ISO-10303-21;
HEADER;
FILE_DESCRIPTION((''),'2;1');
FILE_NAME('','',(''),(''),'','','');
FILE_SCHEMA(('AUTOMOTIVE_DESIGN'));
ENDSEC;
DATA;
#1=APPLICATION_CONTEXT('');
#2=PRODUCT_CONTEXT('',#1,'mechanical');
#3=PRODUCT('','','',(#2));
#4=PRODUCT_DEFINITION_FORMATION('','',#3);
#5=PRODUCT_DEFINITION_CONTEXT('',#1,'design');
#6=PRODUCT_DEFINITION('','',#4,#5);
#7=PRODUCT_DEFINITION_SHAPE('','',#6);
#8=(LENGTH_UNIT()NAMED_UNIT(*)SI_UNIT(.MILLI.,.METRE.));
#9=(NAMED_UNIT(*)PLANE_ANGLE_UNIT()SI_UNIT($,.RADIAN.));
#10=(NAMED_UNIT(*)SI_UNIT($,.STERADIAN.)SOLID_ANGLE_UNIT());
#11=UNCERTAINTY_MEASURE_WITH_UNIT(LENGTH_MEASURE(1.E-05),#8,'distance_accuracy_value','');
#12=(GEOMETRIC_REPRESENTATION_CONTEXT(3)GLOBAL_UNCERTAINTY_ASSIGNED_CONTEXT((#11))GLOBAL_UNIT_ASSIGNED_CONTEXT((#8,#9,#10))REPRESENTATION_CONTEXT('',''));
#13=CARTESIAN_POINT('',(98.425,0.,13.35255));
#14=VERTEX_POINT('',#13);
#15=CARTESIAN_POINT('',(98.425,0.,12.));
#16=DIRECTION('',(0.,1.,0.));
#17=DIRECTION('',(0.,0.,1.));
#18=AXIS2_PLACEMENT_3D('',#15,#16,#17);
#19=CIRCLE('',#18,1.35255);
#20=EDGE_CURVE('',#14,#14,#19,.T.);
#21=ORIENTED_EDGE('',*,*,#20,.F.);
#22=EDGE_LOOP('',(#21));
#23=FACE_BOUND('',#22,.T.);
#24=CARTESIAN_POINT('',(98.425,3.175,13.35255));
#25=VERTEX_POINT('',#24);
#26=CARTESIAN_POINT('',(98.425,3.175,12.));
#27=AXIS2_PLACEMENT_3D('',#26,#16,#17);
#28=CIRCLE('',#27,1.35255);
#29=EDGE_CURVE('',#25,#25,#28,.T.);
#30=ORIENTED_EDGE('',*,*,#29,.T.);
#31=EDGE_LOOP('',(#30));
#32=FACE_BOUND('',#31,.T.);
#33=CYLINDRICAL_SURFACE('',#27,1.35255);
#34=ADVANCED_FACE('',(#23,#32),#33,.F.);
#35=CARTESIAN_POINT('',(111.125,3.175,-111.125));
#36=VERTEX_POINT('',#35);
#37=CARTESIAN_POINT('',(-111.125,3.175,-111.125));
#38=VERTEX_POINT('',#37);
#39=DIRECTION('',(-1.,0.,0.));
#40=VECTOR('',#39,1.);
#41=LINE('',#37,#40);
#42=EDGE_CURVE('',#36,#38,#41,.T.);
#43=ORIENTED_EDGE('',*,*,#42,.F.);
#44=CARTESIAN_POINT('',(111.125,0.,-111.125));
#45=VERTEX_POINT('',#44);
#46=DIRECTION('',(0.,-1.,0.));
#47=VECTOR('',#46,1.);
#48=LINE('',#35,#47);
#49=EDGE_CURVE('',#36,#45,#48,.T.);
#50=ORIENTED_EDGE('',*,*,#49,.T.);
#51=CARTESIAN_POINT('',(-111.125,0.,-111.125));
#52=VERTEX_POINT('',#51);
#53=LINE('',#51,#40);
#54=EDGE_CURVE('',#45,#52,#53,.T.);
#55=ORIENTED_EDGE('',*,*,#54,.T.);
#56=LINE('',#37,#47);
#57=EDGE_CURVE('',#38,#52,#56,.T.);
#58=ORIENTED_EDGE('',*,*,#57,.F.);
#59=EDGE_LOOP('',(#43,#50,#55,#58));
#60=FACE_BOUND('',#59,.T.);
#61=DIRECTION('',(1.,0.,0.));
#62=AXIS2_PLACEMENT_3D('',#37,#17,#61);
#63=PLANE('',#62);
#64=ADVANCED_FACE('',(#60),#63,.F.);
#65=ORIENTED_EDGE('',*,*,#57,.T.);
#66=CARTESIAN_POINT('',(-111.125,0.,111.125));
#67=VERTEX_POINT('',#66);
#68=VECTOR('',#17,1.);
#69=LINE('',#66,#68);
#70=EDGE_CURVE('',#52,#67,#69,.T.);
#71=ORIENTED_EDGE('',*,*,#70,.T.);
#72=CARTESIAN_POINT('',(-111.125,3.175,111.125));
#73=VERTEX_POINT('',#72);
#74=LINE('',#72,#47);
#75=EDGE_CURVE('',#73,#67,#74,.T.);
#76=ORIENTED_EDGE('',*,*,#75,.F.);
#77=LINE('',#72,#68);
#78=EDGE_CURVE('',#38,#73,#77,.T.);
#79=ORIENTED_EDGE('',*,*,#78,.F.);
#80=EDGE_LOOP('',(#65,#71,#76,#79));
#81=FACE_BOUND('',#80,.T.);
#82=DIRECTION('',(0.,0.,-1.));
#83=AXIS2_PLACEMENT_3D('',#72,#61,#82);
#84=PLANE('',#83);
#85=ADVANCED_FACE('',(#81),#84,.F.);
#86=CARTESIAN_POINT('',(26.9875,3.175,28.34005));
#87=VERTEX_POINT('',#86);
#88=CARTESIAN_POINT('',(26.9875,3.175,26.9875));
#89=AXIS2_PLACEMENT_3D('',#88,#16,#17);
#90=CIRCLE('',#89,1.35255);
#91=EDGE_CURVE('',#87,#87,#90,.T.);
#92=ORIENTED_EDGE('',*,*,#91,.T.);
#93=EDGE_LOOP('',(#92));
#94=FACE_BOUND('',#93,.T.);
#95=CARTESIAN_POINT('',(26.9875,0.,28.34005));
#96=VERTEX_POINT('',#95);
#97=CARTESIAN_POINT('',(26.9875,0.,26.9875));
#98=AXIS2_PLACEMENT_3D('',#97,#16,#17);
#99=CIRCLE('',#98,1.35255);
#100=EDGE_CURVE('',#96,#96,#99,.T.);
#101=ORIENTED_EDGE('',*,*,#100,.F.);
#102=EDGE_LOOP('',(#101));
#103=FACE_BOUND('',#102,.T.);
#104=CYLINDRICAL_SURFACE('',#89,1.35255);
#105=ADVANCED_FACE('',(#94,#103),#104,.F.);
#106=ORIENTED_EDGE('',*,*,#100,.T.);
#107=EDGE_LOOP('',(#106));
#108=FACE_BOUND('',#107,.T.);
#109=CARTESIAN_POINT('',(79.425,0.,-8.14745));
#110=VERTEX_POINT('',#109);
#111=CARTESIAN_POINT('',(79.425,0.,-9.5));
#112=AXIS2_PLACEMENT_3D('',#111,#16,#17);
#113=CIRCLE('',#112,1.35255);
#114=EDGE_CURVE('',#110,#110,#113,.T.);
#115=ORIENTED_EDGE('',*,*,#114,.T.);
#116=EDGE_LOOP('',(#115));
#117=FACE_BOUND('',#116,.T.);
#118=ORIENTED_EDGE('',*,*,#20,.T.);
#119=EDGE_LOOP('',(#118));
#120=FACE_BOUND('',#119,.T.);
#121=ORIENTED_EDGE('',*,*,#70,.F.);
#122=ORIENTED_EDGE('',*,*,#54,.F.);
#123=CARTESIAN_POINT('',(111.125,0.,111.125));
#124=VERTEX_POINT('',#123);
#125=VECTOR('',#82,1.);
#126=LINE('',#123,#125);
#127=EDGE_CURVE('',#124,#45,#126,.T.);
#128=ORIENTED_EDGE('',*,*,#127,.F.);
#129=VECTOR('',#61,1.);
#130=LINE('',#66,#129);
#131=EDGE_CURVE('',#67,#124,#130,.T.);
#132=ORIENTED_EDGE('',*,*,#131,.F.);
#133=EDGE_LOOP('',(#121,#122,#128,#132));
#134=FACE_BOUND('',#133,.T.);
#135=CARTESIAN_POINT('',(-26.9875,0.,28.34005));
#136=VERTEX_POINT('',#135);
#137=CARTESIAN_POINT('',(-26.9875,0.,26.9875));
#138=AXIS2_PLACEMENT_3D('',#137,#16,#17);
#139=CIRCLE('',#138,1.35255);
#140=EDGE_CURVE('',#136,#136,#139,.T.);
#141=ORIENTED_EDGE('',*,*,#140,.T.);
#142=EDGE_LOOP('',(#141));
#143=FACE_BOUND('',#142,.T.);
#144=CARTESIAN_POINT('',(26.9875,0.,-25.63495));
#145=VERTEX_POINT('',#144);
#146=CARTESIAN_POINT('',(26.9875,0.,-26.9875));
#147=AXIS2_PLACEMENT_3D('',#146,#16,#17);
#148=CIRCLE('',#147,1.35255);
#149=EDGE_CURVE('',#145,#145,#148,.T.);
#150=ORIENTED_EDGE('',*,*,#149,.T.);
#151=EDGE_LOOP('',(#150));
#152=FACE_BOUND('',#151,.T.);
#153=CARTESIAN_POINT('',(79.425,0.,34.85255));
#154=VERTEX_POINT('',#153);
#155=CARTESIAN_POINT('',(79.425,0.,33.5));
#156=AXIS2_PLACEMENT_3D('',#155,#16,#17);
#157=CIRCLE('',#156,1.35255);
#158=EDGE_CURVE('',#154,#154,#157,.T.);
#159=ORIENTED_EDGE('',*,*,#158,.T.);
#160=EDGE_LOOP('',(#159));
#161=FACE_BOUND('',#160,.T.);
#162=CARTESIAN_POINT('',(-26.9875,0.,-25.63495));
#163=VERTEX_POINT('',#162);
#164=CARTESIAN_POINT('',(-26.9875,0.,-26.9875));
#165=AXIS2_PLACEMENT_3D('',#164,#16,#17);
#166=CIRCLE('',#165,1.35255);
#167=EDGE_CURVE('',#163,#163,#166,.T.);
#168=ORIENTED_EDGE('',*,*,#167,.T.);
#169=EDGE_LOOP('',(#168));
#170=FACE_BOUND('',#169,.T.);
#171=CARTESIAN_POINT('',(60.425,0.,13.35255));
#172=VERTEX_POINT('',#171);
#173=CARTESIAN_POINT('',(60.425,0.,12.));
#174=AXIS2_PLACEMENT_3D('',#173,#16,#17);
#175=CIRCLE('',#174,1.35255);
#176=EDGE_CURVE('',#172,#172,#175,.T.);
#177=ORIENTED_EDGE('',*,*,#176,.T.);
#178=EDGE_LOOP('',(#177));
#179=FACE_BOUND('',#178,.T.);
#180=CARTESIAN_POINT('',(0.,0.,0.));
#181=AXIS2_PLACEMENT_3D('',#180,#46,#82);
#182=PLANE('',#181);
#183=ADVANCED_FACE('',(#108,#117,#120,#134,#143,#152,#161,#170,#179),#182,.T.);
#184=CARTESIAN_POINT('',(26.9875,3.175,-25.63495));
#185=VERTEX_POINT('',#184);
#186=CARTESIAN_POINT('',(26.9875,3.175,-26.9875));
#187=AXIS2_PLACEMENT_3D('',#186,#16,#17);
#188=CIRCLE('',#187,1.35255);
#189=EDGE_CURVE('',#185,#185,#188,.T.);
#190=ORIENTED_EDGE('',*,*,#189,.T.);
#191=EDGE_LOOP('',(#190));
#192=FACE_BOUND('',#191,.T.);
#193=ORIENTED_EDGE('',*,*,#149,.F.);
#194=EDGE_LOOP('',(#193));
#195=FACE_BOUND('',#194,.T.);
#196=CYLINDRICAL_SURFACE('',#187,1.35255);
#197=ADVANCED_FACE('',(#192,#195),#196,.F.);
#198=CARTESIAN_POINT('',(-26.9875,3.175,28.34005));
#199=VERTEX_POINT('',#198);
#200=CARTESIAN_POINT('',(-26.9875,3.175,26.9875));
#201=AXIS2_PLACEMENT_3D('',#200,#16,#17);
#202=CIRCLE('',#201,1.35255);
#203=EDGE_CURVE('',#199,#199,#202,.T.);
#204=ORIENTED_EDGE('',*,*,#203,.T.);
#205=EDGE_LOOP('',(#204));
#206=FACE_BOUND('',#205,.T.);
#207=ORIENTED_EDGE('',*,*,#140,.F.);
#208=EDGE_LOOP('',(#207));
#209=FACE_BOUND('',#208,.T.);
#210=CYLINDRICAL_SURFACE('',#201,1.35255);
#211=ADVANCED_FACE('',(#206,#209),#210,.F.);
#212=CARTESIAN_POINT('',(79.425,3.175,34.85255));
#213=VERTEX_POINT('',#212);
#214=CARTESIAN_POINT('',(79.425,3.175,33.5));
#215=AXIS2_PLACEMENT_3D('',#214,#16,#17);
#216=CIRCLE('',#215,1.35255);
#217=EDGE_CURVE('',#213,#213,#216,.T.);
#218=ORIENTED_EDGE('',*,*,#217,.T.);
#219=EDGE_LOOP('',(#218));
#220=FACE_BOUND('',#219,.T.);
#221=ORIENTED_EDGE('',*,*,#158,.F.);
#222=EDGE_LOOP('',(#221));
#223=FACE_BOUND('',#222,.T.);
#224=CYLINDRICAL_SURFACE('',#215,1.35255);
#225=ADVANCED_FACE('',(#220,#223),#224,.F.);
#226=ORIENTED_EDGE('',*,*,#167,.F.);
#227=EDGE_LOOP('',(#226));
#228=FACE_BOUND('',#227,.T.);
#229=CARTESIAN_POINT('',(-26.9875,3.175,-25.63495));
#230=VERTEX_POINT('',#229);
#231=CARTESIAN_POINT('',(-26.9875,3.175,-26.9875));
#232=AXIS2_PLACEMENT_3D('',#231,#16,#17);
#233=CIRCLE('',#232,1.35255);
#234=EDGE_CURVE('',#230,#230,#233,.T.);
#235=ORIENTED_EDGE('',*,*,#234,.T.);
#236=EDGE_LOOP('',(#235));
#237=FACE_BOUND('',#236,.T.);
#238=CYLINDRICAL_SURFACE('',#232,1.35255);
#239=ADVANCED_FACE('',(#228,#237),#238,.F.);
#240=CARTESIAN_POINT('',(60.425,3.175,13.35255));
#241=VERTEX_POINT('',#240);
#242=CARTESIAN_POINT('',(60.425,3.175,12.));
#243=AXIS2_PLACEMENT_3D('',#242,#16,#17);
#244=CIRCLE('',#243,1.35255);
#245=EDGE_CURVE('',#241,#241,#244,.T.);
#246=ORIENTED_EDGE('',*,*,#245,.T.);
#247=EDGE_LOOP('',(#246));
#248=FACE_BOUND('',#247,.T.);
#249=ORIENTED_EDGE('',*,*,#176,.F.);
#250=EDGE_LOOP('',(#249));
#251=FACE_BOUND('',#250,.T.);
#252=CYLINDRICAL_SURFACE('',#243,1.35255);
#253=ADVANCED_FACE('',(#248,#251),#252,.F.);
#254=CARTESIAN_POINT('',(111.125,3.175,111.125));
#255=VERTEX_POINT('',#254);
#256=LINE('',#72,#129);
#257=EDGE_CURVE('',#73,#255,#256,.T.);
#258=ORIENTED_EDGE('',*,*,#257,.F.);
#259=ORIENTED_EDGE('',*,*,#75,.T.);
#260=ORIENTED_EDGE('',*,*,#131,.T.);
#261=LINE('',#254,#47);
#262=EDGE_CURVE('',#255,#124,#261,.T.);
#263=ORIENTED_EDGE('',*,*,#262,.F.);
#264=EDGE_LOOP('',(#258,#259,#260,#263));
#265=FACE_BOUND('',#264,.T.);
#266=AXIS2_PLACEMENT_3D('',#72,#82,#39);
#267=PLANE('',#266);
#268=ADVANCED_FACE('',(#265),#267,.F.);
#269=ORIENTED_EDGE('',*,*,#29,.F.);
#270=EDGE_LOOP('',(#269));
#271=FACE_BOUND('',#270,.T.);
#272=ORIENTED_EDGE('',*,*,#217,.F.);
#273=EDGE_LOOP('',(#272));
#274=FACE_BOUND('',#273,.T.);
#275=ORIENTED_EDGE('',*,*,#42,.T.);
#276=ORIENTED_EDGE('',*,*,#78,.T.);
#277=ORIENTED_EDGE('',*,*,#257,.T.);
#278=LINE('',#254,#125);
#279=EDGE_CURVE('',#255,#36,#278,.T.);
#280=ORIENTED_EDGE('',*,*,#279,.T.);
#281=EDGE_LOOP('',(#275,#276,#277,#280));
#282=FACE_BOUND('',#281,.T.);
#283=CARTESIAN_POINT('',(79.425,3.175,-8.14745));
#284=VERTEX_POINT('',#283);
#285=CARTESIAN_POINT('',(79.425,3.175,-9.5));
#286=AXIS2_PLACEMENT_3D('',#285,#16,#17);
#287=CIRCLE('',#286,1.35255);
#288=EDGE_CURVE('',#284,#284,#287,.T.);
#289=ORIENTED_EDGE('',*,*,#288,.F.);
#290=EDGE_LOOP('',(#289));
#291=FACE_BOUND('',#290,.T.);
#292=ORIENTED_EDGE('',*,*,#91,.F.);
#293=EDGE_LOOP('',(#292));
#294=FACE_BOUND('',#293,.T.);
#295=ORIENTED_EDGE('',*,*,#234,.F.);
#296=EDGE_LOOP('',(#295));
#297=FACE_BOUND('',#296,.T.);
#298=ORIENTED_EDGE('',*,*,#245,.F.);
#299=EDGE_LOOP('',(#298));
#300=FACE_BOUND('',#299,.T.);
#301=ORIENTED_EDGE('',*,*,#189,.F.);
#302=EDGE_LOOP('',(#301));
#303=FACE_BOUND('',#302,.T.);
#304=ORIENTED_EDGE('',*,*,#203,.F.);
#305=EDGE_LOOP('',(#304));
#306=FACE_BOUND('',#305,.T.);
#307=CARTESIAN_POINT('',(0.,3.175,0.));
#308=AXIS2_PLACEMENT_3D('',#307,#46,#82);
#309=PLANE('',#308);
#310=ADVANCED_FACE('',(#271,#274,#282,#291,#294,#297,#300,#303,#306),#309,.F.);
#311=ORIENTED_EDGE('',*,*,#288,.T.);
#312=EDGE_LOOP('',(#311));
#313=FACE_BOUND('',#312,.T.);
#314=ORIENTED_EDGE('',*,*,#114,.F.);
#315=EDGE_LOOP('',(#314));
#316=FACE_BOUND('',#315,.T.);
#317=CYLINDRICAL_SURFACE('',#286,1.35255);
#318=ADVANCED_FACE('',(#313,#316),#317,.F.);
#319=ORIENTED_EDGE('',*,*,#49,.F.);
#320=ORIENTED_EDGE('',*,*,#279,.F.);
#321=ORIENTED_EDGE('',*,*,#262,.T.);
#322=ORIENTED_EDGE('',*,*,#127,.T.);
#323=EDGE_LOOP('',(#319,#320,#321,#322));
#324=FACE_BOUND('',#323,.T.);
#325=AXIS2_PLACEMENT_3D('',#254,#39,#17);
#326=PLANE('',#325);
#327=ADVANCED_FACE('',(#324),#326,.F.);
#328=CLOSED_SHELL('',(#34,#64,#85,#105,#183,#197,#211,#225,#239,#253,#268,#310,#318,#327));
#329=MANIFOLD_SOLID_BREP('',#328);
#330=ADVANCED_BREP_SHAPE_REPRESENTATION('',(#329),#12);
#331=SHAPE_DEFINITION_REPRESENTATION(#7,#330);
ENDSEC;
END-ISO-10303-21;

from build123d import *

# Parameters (mm, degrees)
SKETCH1_W             = 222.25
SKETCH1_H             = 222.25
BOSS_EXTRUDE1_DEPTH   = 3.175
F_6_32_TAPPED_HOLE1_D = 2.7051
F_6_32_TAPPED_HOLE3_D = 2.7051


with BuildPart() as part:
    # Sketch1 → Boss-Extrude1 (new body)
    with BuildSketch(Plane(origin=(0, 0, 0), x_dir=(1, 0, 0), z_dir=(0, 1, 0))):
        Rectangle(SKETCH1_W, SKETCH1_H)
    extrude(amount=BOSS_EXTRUDE1_DEPTH)

    # #6-32 Tapped Hole1 (through all)
    with Locations(Plane(origin=(0, 3.175, 0), x_dir=(1, 0, 0), z_dir=(0, 1, 0))):
        with Locations((-26.9875, -26.9875), (-26.9875, 26.9875), (26.9875, 26.9875), (26.9875, -26.9875)):
            Hole(F_6_32_TAPPED_HOLE1_D / 2)

    # #6-32 Tapped Hole3 (through all)
    with Locations(Plane(origin=(0, 3.175, 0), x_dir=(1, 0, 0), z_dir=(0, 1, 0))):
        with Locations((60.425, -12), (79.425, -33.5), (98.425, -12), (79.425, 9.5)):
            Hole(F_6_32_TAPPED_HOLE3_D / 2)


solid = part.part
